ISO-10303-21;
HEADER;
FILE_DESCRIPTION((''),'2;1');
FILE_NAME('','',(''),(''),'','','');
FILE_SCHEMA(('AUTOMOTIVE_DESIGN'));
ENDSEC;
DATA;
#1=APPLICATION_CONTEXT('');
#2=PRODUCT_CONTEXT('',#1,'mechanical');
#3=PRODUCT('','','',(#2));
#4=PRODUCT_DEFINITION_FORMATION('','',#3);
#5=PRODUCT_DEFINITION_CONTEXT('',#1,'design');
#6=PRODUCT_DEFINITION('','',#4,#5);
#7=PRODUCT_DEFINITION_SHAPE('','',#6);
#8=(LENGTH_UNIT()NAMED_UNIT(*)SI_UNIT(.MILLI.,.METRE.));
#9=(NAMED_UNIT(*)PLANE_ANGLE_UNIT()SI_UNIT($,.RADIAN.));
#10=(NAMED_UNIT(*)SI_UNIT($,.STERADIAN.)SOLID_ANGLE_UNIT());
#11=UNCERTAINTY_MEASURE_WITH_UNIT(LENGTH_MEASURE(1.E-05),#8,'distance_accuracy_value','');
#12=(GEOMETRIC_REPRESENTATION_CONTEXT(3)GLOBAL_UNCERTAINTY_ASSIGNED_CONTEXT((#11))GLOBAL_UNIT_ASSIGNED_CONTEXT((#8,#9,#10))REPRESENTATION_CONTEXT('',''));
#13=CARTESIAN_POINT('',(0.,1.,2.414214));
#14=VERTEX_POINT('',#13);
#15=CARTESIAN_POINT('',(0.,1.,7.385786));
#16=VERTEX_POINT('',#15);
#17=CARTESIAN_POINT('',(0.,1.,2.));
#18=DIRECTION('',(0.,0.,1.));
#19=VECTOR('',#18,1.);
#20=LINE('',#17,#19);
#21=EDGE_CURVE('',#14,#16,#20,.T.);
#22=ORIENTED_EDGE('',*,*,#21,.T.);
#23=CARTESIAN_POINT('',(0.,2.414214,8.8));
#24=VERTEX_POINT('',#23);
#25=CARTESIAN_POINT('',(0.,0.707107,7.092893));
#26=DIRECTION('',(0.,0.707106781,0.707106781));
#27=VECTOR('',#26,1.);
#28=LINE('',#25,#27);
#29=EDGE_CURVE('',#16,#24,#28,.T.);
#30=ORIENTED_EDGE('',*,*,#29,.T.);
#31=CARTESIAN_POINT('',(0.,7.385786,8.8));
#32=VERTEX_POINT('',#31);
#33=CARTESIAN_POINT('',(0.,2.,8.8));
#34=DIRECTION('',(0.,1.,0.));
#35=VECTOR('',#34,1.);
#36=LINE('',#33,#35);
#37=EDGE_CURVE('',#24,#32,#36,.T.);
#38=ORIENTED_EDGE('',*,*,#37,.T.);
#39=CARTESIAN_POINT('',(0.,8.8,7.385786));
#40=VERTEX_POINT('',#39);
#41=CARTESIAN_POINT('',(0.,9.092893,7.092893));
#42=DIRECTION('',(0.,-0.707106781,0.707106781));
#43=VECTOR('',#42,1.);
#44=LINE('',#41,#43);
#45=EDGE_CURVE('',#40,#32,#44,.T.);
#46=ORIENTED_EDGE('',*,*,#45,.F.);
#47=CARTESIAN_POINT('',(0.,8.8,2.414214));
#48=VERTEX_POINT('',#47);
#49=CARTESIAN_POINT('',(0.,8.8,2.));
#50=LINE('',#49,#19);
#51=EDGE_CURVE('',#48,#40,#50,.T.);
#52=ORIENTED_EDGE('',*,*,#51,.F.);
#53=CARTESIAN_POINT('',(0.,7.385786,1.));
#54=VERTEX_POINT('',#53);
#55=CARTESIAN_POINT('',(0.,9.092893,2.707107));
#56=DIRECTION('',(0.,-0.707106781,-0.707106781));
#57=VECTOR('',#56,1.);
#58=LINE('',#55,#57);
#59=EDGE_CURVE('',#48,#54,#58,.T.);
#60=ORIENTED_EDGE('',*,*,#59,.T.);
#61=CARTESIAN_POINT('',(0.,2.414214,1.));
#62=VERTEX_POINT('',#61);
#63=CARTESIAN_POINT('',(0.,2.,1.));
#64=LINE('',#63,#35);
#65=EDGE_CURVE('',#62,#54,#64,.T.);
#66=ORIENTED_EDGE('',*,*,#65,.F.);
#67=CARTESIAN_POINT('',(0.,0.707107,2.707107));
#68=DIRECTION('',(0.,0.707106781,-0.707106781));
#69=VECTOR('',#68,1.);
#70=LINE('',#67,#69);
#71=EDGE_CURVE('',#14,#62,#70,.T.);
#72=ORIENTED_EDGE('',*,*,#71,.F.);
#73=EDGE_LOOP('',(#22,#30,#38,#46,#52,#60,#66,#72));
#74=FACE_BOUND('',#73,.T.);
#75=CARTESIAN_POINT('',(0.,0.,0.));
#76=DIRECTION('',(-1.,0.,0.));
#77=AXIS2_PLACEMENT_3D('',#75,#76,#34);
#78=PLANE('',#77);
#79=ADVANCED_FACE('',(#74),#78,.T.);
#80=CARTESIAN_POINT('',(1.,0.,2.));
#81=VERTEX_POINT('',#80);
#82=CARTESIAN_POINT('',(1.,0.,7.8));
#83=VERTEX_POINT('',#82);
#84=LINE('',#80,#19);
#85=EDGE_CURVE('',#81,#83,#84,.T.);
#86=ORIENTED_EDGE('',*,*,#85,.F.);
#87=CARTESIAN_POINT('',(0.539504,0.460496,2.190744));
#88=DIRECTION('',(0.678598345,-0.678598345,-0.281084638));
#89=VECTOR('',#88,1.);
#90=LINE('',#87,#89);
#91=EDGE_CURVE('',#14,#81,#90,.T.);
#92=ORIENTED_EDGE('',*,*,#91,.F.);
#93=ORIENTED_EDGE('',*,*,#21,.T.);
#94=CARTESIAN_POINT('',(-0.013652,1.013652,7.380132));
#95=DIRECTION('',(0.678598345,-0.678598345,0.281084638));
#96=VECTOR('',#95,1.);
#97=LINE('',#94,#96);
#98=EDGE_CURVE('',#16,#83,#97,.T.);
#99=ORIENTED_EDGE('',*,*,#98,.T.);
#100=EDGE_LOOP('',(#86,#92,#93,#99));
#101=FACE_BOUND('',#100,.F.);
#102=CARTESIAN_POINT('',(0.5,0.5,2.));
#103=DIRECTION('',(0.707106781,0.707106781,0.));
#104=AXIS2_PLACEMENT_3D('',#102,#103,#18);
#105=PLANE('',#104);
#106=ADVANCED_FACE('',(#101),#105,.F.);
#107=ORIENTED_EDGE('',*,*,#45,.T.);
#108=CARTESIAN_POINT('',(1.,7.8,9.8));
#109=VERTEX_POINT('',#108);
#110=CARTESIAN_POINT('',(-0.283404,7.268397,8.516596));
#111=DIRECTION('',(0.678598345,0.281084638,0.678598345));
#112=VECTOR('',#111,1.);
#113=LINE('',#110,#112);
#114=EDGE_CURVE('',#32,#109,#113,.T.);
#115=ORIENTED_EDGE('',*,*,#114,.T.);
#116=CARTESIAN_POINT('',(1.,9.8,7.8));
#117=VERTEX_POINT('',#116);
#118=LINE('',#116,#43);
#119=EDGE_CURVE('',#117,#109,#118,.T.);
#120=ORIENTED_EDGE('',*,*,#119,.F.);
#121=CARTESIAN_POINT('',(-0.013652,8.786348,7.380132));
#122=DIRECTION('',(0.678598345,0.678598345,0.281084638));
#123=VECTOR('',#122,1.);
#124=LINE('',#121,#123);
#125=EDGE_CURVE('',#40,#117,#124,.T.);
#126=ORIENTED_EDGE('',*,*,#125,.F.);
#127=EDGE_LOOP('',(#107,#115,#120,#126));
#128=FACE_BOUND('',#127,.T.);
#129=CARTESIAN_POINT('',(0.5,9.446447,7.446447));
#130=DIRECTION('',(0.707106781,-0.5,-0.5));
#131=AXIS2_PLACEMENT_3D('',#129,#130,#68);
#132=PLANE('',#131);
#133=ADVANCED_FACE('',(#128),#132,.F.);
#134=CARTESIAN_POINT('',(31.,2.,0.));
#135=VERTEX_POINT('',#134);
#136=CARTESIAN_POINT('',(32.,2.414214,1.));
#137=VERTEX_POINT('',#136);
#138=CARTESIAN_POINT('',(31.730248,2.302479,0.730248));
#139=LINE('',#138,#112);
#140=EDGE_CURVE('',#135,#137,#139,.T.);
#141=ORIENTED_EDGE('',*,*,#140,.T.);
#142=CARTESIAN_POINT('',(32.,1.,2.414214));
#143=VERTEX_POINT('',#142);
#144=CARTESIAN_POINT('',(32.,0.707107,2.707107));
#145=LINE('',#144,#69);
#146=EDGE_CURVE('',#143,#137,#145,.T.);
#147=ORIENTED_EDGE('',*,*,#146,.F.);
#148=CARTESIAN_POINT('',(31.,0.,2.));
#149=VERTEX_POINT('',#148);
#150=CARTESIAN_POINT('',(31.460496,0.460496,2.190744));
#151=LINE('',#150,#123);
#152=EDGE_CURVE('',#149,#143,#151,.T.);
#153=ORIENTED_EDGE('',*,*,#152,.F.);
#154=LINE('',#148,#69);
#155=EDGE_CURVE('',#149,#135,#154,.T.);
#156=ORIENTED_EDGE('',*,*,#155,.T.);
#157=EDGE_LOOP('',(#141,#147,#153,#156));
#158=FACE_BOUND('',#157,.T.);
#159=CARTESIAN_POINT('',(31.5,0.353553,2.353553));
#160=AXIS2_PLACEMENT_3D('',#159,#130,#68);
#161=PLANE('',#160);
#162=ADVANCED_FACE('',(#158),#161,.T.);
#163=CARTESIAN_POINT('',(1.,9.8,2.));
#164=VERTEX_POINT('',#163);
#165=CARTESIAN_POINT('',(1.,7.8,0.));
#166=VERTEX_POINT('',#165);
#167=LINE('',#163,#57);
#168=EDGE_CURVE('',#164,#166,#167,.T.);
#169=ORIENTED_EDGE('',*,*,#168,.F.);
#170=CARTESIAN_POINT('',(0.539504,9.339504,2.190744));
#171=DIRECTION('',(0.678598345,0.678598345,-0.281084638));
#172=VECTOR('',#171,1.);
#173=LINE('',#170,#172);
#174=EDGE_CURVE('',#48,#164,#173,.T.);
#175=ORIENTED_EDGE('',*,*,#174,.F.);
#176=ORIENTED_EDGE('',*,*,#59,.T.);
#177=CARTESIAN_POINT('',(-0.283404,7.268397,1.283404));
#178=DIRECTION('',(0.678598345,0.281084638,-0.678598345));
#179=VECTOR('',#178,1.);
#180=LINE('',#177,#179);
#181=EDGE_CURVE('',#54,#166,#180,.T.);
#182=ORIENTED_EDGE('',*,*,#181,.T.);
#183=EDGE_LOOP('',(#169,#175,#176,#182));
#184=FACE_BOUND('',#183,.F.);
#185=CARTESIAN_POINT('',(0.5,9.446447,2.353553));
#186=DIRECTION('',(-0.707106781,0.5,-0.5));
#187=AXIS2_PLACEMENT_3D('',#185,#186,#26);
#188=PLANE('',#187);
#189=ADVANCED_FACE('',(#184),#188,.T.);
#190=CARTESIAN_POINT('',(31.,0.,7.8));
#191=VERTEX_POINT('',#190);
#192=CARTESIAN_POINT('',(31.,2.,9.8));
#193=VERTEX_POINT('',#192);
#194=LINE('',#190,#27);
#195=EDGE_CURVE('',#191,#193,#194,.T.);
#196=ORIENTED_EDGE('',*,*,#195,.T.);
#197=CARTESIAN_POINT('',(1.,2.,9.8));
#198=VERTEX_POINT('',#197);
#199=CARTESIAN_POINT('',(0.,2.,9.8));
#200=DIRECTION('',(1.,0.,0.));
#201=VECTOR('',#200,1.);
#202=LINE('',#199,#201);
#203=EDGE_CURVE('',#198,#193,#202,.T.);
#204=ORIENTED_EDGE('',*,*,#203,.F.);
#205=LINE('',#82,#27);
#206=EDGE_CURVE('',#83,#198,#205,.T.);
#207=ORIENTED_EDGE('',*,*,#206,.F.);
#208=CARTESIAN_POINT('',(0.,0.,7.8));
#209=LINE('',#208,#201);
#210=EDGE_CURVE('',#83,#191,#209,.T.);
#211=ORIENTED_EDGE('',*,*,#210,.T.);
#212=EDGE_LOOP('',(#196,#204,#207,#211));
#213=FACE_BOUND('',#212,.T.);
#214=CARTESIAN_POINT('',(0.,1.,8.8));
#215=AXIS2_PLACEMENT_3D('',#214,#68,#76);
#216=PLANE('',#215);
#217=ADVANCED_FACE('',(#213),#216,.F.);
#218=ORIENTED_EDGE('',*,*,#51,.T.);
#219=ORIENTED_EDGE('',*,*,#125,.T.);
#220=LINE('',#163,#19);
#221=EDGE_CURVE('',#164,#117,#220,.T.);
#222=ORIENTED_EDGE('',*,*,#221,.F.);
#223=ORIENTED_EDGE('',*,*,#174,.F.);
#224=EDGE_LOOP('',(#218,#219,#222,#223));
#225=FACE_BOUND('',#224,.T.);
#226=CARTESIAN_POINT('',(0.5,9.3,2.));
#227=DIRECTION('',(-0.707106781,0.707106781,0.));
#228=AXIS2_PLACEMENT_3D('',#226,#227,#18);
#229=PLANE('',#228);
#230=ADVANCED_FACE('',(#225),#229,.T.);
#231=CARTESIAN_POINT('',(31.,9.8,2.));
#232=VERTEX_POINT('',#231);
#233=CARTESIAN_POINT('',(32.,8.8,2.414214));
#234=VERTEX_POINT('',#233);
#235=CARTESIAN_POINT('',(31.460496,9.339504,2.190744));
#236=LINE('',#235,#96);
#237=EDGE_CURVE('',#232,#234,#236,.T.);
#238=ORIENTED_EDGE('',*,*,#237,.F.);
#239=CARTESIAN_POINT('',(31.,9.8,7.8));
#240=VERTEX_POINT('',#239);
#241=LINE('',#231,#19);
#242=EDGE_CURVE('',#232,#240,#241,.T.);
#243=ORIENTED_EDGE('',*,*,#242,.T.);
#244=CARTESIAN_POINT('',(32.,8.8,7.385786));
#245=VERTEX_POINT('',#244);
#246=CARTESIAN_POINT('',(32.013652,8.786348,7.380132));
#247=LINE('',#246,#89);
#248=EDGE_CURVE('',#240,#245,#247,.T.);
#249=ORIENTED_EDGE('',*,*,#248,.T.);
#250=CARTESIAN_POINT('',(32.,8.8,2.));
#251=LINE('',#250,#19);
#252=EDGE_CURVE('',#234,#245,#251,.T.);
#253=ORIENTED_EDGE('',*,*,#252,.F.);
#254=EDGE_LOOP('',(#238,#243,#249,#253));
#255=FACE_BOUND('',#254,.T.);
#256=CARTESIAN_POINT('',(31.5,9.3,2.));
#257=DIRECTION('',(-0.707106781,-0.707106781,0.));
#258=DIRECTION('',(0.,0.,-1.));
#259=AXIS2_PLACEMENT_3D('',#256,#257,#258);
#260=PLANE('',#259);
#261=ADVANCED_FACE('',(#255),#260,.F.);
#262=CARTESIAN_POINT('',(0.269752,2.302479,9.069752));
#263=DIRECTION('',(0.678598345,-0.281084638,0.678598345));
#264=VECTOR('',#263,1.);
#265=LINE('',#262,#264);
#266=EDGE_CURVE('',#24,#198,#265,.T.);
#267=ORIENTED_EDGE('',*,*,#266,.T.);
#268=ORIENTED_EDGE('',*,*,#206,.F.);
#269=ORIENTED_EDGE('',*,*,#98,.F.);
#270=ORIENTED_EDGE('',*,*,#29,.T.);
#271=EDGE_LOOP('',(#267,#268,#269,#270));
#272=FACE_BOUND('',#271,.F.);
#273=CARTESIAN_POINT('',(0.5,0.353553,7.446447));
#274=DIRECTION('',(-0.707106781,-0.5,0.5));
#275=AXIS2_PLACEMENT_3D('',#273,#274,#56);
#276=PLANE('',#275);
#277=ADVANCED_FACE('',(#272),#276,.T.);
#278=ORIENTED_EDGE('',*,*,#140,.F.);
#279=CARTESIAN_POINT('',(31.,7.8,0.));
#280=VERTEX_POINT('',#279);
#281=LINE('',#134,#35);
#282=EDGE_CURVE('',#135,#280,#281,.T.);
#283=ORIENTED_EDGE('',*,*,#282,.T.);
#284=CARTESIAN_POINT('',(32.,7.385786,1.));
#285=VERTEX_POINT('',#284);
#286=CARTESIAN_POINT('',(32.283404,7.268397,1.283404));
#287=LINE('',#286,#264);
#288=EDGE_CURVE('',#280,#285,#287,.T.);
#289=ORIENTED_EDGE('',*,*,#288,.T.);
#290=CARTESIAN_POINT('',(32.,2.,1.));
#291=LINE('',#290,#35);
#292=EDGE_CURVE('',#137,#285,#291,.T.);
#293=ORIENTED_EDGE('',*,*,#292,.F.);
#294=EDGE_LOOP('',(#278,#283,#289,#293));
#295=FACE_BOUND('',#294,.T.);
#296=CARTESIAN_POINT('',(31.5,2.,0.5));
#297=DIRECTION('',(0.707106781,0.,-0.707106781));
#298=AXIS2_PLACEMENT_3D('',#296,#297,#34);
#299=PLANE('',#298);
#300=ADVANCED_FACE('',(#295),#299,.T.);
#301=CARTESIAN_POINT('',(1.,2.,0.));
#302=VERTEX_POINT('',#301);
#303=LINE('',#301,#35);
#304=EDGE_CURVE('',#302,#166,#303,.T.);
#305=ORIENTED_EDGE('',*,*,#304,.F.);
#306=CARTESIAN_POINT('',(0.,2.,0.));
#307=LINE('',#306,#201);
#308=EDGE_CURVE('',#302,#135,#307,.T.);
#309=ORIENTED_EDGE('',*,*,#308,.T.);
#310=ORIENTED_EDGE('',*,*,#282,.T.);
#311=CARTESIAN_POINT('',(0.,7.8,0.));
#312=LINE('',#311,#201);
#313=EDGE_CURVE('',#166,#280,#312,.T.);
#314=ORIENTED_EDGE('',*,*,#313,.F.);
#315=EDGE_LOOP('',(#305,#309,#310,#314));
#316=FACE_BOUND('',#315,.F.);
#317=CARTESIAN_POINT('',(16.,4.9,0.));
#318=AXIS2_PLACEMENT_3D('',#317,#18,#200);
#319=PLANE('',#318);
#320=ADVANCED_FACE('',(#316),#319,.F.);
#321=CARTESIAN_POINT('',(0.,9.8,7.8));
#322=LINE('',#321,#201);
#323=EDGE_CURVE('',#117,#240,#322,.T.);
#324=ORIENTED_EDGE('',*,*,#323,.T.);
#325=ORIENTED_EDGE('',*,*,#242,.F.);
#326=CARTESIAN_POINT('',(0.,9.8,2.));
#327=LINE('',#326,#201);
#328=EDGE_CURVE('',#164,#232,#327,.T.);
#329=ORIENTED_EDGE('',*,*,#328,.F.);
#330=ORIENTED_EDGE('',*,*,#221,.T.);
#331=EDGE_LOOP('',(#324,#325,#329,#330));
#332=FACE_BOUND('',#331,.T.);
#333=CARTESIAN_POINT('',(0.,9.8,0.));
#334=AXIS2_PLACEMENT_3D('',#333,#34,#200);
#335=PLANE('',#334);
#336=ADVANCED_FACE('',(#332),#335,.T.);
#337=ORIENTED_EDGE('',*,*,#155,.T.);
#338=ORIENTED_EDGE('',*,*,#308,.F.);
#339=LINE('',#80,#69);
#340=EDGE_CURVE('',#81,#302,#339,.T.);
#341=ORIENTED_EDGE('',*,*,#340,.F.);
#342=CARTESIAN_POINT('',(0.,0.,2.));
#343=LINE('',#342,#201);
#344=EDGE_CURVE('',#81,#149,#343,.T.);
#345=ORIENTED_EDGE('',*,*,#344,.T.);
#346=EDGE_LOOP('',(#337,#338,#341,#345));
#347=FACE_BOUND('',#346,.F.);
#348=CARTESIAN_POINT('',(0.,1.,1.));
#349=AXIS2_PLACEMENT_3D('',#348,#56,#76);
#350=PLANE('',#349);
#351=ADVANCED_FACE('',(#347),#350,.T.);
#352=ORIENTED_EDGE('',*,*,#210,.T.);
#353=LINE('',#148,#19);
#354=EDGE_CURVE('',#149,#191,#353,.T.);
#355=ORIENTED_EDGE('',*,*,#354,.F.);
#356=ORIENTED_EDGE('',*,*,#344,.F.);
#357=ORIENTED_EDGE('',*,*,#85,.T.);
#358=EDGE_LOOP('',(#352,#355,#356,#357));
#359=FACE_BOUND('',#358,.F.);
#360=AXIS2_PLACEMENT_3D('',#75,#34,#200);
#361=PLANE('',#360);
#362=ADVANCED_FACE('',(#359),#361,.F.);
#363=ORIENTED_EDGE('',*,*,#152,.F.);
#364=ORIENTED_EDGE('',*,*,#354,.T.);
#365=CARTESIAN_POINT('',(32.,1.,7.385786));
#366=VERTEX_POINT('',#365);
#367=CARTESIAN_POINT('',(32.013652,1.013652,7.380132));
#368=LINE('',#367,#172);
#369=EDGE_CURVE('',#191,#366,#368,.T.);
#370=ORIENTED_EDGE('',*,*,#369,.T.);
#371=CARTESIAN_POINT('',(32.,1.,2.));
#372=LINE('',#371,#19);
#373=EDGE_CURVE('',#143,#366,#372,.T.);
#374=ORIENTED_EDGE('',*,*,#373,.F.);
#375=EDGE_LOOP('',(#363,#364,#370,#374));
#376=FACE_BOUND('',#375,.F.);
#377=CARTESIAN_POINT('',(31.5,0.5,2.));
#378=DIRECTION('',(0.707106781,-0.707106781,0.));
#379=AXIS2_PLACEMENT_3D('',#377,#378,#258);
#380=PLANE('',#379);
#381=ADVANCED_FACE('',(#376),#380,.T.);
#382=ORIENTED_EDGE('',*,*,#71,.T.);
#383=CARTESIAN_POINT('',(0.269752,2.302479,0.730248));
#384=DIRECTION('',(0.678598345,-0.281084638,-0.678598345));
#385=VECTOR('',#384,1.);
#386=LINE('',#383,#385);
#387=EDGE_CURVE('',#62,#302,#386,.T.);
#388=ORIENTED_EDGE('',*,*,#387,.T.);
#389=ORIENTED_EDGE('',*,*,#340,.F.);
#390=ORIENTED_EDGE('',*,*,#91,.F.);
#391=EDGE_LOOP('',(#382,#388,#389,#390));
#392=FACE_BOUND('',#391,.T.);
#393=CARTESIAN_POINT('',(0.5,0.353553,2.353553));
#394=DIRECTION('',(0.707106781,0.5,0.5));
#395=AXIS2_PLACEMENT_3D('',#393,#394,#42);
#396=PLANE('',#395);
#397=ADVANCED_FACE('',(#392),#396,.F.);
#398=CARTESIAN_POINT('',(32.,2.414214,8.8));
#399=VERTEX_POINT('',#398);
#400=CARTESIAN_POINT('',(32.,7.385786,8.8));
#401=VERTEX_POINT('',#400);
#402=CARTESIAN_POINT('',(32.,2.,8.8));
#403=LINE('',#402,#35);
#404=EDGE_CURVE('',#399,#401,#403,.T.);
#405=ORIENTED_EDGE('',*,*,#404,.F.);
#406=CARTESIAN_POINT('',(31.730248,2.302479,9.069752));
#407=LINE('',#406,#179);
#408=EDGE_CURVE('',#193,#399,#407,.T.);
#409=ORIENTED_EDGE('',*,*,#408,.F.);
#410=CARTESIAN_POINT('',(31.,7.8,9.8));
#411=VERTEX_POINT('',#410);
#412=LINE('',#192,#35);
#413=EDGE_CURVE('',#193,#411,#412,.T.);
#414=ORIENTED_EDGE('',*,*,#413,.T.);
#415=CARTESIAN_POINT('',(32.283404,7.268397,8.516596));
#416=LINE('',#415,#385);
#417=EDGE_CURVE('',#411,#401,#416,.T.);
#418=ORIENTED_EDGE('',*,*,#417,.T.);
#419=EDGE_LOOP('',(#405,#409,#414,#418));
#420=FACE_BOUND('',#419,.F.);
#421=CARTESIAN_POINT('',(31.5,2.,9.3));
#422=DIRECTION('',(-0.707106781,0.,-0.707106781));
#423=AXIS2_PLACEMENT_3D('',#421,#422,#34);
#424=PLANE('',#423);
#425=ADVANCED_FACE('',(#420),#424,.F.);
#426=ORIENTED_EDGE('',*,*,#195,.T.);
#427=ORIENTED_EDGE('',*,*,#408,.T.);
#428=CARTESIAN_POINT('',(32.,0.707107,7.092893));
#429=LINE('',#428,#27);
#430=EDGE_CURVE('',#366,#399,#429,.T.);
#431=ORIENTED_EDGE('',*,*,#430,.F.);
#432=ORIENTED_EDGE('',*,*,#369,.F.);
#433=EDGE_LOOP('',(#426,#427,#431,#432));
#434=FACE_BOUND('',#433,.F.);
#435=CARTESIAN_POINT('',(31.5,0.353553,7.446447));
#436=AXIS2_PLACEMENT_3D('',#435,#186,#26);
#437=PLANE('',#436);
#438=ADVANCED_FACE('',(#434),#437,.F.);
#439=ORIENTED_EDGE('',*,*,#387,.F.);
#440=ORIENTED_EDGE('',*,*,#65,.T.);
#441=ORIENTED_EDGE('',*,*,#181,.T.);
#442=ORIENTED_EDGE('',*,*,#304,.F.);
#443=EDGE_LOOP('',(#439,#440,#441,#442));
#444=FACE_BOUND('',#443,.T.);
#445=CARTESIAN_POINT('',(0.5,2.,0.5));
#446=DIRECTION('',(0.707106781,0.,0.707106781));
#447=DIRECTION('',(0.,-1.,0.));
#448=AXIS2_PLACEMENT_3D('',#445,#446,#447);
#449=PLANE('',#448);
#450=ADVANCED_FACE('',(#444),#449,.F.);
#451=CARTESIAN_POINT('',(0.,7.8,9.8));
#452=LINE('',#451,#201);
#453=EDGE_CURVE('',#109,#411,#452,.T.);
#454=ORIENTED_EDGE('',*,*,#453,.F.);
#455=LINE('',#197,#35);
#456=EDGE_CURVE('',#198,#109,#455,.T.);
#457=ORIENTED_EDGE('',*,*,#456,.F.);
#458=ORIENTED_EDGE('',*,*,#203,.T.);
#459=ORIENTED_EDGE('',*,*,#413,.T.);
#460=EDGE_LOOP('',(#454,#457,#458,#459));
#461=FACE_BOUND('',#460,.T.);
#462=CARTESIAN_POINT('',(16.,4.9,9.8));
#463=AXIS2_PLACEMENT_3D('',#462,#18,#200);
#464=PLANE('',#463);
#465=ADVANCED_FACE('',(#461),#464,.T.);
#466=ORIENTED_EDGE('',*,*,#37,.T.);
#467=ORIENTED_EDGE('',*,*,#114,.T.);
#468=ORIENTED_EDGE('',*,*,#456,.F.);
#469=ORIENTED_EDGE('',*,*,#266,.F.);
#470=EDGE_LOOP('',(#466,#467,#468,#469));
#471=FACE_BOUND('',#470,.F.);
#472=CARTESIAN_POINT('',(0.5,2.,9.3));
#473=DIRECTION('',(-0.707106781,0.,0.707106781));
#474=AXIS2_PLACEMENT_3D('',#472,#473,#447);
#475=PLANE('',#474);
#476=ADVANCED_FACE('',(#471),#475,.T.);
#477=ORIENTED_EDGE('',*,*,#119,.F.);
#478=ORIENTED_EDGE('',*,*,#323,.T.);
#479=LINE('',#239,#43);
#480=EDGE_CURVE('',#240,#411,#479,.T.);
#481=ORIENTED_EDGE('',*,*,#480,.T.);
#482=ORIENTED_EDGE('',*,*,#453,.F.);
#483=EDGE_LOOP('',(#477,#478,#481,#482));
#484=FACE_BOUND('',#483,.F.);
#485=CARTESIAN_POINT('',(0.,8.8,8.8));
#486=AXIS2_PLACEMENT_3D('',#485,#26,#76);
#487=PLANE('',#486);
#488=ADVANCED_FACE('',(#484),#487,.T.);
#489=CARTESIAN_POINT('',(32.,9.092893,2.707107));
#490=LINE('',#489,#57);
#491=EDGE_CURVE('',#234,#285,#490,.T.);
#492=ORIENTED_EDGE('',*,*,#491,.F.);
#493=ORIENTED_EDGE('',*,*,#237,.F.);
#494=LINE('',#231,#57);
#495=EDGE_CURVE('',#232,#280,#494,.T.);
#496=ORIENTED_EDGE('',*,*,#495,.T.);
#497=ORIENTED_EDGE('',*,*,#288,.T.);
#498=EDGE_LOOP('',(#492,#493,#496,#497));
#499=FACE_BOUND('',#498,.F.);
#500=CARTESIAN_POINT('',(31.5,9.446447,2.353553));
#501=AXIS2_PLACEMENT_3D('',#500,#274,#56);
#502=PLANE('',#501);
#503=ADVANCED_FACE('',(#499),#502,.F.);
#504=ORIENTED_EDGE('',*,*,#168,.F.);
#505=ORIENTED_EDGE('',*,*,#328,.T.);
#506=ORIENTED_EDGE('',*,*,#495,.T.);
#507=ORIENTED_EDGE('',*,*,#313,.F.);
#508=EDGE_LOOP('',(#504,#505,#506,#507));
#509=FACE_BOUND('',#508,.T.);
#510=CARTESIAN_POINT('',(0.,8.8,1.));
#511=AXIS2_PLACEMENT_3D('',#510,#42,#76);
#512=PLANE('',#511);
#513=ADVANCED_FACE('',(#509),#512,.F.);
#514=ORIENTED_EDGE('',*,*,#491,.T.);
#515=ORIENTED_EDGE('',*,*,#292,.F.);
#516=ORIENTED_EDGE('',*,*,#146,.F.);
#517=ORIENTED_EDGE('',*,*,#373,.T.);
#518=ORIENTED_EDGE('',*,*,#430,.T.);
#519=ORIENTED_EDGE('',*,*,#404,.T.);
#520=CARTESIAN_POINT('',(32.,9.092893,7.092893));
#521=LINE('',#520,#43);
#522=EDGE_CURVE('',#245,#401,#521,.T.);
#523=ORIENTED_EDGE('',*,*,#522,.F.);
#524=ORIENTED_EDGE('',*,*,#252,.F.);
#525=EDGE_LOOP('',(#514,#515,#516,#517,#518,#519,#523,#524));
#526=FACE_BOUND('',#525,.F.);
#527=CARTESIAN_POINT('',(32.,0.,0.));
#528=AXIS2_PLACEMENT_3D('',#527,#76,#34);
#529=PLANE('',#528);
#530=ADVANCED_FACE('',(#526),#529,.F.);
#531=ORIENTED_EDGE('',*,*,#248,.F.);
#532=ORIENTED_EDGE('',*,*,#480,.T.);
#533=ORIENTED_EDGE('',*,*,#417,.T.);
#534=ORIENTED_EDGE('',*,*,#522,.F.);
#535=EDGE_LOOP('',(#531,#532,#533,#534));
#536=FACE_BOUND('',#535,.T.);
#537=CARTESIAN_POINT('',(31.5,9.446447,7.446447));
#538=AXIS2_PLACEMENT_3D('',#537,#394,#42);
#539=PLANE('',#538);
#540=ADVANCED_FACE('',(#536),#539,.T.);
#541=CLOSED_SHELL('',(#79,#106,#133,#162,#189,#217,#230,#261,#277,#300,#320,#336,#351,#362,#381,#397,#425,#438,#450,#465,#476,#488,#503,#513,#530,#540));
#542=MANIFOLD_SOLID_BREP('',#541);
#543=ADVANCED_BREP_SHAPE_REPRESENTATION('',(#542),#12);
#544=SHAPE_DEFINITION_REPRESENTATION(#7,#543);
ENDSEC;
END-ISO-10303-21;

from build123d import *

# Parameters (mm, degrees)
BOX_W           = 32
BOX_H           = 9.8
BOX_DEPTH       = 9.8
CHAMFER_SIZE    = 2
CHAMFER001_SIZE = 1
CHAMFER002_SIZE = 1


with BuildPart() as part:
    # Box → Box (new body)
    with BuildSketch(Plane.XY):
        with Locations((16, 4.9)):
            Rectangle(BOX_W, BOX_H)
    extrude(amount=BOX_DEPTH)

    # Chamfer
    chamfer_edges = [part.edges().sort_by_distance(p)[0] for p in [
        (16, 0, 0),
        (16, 0, 9.8),
        (16, 9.8, 0),
        (16, 9.8, 9.8),
    ]]
    chamfer(chamfer_edges, length=CHAMFER_SIZE)

    # Chamfer001
    chamfer001_edges = [part.edges().sort_by_distance(p)[0] for p in [
        (0, 0, 4.9),
        (0, 1, 1),
        (0, 1, 8.8),
        (0, 4.9, 0),
        (0, 4.9, 9.8),
        (0, 8.8, 1),
        (0, 8.8, 8.8),
        (0, 9.8, 4.9),
    ]]
    chamfer(chamfer001_edges, length=CHAMFER001_SIZE)

    # Chamfer002
    chamfer002_edges = [part.edges().sort_by_distance(p)[0] for p in [
        (32, 0, 4.9),
        (32, 1, 1),
        (32, 1, 8.8),
        (32, 4.9, 0),
        (32, 4.9, 9.8),
        (32, 8.8, 1),
        (32, 8.8, 8.8),
        (32, 9.8, 4.9),
    ]]
    chamfer(chamfer002_edges, length=CHAMFER002_SIZE)


solid = part.part
